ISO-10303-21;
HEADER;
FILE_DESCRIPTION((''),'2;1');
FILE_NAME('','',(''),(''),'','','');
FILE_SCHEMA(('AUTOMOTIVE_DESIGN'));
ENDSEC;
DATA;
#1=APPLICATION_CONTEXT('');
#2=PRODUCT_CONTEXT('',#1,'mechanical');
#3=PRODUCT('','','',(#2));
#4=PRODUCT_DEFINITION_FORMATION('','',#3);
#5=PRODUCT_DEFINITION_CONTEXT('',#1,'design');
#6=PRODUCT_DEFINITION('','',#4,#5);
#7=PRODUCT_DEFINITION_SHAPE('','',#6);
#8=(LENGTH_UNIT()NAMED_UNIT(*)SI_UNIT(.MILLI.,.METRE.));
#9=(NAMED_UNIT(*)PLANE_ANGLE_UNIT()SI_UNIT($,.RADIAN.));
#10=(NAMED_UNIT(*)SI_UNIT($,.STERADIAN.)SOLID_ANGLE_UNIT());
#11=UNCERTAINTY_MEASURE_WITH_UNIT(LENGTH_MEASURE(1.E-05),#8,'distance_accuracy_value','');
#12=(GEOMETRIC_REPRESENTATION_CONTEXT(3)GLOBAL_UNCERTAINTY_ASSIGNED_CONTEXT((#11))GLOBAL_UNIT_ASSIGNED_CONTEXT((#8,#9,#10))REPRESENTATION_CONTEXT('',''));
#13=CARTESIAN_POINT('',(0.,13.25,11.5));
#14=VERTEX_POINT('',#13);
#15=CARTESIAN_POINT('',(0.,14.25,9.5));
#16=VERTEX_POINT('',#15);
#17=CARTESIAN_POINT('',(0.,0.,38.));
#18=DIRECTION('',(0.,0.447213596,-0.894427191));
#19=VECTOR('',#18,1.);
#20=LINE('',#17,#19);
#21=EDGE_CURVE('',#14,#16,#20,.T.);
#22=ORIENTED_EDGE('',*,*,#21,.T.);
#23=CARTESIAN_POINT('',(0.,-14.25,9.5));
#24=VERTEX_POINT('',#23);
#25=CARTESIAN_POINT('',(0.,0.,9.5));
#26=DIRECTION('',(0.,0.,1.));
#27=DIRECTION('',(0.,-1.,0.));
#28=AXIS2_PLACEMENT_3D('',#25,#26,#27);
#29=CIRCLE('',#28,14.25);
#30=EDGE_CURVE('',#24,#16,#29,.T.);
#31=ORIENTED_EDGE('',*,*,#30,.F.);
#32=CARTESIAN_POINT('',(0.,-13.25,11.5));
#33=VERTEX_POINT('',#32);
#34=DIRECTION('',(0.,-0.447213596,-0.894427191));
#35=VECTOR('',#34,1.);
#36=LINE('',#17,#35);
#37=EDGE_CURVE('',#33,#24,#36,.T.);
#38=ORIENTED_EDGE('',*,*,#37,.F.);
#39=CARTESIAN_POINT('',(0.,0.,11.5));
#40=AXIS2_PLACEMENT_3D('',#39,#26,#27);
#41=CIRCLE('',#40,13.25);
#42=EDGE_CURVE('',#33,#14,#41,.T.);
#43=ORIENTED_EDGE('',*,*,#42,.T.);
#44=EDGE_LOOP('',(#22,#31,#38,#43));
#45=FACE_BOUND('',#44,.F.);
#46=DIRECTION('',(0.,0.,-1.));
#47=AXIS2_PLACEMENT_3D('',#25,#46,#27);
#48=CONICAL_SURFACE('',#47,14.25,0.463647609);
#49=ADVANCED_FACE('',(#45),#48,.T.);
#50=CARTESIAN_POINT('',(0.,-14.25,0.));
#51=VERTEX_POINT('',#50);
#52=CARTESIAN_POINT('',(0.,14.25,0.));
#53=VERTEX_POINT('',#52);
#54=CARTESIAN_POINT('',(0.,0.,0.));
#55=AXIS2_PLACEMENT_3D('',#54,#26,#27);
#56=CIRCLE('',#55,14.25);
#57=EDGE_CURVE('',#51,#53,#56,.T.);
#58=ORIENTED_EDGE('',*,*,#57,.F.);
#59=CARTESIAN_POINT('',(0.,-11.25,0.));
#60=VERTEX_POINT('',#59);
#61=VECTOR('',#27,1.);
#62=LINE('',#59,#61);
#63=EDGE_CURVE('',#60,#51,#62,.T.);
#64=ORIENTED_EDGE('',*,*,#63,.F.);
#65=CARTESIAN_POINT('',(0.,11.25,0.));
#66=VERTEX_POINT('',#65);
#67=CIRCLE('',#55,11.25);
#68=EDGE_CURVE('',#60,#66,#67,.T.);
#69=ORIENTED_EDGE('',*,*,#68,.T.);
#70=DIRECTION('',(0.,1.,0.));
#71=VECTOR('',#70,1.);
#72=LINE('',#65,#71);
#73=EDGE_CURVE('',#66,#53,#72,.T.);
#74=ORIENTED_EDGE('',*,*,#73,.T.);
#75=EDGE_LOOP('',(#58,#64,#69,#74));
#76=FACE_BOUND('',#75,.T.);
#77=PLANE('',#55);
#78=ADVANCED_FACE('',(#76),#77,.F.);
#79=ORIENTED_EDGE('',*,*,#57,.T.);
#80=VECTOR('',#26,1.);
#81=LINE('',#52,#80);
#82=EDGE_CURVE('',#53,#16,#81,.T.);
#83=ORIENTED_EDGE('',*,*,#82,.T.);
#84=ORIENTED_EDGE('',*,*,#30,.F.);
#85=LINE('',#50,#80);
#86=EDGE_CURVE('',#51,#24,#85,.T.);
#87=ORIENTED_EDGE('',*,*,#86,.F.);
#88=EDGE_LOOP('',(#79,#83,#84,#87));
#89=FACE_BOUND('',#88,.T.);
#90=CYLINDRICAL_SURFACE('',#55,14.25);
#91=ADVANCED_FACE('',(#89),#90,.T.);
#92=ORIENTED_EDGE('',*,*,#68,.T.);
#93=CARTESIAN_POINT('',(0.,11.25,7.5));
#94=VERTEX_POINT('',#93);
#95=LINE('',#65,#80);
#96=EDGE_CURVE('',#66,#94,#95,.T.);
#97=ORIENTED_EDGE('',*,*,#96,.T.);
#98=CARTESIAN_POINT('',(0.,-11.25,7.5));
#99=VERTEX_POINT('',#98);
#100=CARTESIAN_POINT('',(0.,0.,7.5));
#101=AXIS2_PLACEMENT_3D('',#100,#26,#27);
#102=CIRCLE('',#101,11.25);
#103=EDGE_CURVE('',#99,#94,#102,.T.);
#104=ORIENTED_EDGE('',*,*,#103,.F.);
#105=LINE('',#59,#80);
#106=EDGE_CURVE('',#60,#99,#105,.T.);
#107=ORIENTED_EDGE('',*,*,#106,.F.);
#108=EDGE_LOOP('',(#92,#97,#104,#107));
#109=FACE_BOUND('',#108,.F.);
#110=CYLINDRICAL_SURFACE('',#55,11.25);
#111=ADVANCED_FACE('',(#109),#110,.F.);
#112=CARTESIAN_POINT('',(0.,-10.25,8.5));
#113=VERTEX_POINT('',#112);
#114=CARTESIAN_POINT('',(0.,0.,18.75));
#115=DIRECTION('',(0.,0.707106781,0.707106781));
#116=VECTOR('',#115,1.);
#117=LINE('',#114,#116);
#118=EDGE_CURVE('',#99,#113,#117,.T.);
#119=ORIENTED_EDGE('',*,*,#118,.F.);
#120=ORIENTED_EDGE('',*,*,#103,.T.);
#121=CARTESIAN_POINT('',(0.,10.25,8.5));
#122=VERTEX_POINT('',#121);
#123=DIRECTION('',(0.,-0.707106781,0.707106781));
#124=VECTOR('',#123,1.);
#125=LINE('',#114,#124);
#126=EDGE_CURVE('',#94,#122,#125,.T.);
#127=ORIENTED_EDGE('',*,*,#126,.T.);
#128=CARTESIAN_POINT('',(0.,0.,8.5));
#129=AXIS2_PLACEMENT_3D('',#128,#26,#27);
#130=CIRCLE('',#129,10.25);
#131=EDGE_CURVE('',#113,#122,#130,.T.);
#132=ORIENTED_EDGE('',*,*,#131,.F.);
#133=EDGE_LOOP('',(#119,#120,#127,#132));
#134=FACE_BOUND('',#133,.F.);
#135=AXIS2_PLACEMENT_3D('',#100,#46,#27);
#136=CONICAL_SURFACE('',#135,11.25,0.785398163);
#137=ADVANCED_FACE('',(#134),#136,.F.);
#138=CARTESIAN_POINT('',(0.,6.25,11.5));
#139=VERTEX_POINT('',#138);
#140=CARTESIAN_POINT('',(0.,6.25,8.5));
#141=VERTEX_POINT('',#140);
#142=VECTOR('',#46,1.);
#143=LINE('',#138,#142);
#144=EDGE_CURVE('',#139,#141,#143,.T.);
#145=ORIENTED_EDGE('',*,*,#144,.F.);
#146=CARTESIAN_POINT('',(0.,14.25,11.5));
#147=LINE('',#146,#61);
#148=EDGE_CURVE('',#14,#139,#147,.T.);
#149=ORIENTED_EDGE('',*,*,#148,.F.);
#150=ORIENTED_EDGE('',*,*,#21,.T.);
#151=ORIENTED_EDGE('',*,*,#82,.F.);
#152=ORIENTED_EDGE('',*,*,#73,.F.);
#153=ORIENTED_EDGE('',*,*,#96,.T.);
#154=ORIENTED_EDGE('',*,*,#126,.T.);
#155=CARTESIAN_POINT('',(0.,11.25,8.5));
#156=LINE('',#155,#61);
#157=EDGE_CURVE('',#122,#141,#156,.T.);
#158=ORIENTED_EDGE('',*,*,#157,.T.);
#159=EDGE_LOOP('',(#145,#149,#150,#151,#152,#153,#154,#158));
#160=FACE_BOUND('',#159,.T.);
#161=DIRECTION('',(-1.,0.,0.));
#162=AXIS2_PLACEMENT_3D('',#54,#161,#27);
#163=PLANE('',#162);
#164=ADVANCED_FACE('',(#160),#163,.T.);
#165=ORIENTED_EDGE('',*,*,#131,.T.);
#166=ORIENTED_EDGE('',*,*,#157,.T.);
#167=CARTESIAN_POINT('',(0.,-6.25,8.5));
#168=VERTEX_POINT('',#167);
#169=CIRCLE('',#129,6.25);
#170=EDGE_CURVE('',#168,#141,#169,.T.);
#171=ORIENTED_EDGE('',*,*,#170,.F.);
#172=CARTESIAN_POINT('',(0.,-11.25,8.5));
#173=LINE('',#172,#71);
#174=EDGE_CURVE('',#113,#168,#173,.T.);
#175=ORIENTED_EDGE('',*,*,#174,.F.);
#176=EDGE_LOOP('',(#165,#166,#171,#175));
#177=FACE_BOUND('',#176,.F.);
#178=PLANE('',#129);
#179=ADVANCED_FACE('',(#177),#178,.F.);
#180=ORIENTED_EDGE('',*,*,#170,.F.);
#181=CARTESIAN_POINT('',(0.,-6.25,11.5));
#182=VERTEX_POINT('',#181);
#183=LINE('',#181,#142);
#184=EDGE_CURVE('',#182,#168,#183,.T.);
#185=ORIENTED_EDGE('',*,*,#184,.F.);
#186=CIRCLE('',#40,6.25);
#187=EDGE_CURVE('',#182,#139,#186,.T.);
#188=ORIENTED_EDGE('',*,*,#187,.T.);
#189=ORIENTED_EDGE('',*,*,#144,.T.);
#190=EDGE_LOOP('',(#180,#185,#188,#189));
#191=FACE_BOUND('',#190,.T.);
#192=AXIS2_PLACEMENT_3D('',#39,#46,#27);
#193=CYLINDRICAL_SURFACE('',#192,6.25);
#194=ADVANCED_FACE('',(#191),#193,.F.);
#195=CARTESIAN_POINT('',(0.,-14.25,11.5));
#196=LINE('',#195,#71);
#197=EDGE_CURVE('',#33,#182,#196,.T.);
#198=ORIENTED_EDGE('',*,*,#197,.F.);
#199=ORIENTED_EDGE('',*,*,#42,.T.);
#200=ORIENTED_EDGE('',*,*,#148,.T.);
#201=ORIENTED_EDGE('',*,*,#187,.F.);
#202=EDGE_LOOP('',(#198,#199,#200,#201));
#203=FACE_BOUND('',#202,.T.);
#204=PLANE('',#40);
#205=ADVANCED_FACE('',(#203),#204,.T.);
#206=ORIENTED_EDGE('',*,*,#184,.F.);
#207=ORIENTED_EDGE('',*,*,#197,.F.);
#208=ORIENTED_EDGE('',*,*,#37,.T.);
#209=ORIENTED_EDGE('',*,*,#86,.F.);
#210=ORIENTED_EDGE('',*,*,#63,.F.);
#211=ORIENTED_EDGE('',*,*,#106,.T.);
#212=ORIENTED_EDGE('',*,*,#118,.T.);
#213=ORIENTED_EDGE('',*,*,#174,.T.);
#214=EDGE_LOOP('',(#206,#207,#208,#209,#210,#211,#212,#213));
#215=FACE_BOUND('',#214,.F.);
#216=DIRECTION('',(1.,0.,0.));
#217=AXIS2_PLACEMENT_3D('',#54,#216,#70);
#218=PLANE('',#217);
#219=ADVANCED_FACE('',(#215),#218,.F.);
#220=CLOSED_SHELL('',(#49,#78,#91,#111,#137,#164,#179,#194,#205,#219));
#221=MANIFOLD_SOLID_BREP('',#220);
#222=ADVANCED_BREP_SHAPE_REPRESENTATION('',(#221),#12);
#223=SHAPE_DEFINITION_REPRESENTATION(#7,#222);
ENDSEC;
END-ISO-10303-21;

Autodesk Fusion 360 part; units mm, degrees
sketch "Sketch1" plane through (0, 0, 0) normal (1, 0, 0) x (0, 1, 0)
  line L0 (0, 0) -> (-26.3359, 0) construction
  line L1 (-11.25, 0) -> (-11.25, 8.5)
  line L2 (-11.25, 8.5) -> (-6.25, 8.5)
  line L3 (-11.25, 0) -> (-14.25, 0)
  line L4 (-14.25, 0) -> (-14.25, 11.5)
  line L5 (-14.25, 11.5) -> (-6.25, 11.5)
  line L6 (-6.25, 11.5) -> (-6.25, 8.5)
  line L7 (0, 0) -> (0, 80.4746)
  dimension "d1" = 8.5
  dimension "d3" = 22.5
  dimension "d4" = 12.5
  dimension "d5" = 3
  dimension "d6" = 3
revolve "Revolve1" add sketch "Sketch1" angle 180 about axis through (0, 0, 0) along (0, 0, 1)
chamfer "Chamfer1" distance 1 distance2 2 1 edges at (14.25, 0, 11.5) measured on face at (2.7221, 11.2267, 11.5)
chamfer "Chamfer2" distance 1 distance2 1 1 edges at (11.25, 0, 8.5) measured on face at (7.2314, 8.618, 5.6667)
equation "d6 = d5"
